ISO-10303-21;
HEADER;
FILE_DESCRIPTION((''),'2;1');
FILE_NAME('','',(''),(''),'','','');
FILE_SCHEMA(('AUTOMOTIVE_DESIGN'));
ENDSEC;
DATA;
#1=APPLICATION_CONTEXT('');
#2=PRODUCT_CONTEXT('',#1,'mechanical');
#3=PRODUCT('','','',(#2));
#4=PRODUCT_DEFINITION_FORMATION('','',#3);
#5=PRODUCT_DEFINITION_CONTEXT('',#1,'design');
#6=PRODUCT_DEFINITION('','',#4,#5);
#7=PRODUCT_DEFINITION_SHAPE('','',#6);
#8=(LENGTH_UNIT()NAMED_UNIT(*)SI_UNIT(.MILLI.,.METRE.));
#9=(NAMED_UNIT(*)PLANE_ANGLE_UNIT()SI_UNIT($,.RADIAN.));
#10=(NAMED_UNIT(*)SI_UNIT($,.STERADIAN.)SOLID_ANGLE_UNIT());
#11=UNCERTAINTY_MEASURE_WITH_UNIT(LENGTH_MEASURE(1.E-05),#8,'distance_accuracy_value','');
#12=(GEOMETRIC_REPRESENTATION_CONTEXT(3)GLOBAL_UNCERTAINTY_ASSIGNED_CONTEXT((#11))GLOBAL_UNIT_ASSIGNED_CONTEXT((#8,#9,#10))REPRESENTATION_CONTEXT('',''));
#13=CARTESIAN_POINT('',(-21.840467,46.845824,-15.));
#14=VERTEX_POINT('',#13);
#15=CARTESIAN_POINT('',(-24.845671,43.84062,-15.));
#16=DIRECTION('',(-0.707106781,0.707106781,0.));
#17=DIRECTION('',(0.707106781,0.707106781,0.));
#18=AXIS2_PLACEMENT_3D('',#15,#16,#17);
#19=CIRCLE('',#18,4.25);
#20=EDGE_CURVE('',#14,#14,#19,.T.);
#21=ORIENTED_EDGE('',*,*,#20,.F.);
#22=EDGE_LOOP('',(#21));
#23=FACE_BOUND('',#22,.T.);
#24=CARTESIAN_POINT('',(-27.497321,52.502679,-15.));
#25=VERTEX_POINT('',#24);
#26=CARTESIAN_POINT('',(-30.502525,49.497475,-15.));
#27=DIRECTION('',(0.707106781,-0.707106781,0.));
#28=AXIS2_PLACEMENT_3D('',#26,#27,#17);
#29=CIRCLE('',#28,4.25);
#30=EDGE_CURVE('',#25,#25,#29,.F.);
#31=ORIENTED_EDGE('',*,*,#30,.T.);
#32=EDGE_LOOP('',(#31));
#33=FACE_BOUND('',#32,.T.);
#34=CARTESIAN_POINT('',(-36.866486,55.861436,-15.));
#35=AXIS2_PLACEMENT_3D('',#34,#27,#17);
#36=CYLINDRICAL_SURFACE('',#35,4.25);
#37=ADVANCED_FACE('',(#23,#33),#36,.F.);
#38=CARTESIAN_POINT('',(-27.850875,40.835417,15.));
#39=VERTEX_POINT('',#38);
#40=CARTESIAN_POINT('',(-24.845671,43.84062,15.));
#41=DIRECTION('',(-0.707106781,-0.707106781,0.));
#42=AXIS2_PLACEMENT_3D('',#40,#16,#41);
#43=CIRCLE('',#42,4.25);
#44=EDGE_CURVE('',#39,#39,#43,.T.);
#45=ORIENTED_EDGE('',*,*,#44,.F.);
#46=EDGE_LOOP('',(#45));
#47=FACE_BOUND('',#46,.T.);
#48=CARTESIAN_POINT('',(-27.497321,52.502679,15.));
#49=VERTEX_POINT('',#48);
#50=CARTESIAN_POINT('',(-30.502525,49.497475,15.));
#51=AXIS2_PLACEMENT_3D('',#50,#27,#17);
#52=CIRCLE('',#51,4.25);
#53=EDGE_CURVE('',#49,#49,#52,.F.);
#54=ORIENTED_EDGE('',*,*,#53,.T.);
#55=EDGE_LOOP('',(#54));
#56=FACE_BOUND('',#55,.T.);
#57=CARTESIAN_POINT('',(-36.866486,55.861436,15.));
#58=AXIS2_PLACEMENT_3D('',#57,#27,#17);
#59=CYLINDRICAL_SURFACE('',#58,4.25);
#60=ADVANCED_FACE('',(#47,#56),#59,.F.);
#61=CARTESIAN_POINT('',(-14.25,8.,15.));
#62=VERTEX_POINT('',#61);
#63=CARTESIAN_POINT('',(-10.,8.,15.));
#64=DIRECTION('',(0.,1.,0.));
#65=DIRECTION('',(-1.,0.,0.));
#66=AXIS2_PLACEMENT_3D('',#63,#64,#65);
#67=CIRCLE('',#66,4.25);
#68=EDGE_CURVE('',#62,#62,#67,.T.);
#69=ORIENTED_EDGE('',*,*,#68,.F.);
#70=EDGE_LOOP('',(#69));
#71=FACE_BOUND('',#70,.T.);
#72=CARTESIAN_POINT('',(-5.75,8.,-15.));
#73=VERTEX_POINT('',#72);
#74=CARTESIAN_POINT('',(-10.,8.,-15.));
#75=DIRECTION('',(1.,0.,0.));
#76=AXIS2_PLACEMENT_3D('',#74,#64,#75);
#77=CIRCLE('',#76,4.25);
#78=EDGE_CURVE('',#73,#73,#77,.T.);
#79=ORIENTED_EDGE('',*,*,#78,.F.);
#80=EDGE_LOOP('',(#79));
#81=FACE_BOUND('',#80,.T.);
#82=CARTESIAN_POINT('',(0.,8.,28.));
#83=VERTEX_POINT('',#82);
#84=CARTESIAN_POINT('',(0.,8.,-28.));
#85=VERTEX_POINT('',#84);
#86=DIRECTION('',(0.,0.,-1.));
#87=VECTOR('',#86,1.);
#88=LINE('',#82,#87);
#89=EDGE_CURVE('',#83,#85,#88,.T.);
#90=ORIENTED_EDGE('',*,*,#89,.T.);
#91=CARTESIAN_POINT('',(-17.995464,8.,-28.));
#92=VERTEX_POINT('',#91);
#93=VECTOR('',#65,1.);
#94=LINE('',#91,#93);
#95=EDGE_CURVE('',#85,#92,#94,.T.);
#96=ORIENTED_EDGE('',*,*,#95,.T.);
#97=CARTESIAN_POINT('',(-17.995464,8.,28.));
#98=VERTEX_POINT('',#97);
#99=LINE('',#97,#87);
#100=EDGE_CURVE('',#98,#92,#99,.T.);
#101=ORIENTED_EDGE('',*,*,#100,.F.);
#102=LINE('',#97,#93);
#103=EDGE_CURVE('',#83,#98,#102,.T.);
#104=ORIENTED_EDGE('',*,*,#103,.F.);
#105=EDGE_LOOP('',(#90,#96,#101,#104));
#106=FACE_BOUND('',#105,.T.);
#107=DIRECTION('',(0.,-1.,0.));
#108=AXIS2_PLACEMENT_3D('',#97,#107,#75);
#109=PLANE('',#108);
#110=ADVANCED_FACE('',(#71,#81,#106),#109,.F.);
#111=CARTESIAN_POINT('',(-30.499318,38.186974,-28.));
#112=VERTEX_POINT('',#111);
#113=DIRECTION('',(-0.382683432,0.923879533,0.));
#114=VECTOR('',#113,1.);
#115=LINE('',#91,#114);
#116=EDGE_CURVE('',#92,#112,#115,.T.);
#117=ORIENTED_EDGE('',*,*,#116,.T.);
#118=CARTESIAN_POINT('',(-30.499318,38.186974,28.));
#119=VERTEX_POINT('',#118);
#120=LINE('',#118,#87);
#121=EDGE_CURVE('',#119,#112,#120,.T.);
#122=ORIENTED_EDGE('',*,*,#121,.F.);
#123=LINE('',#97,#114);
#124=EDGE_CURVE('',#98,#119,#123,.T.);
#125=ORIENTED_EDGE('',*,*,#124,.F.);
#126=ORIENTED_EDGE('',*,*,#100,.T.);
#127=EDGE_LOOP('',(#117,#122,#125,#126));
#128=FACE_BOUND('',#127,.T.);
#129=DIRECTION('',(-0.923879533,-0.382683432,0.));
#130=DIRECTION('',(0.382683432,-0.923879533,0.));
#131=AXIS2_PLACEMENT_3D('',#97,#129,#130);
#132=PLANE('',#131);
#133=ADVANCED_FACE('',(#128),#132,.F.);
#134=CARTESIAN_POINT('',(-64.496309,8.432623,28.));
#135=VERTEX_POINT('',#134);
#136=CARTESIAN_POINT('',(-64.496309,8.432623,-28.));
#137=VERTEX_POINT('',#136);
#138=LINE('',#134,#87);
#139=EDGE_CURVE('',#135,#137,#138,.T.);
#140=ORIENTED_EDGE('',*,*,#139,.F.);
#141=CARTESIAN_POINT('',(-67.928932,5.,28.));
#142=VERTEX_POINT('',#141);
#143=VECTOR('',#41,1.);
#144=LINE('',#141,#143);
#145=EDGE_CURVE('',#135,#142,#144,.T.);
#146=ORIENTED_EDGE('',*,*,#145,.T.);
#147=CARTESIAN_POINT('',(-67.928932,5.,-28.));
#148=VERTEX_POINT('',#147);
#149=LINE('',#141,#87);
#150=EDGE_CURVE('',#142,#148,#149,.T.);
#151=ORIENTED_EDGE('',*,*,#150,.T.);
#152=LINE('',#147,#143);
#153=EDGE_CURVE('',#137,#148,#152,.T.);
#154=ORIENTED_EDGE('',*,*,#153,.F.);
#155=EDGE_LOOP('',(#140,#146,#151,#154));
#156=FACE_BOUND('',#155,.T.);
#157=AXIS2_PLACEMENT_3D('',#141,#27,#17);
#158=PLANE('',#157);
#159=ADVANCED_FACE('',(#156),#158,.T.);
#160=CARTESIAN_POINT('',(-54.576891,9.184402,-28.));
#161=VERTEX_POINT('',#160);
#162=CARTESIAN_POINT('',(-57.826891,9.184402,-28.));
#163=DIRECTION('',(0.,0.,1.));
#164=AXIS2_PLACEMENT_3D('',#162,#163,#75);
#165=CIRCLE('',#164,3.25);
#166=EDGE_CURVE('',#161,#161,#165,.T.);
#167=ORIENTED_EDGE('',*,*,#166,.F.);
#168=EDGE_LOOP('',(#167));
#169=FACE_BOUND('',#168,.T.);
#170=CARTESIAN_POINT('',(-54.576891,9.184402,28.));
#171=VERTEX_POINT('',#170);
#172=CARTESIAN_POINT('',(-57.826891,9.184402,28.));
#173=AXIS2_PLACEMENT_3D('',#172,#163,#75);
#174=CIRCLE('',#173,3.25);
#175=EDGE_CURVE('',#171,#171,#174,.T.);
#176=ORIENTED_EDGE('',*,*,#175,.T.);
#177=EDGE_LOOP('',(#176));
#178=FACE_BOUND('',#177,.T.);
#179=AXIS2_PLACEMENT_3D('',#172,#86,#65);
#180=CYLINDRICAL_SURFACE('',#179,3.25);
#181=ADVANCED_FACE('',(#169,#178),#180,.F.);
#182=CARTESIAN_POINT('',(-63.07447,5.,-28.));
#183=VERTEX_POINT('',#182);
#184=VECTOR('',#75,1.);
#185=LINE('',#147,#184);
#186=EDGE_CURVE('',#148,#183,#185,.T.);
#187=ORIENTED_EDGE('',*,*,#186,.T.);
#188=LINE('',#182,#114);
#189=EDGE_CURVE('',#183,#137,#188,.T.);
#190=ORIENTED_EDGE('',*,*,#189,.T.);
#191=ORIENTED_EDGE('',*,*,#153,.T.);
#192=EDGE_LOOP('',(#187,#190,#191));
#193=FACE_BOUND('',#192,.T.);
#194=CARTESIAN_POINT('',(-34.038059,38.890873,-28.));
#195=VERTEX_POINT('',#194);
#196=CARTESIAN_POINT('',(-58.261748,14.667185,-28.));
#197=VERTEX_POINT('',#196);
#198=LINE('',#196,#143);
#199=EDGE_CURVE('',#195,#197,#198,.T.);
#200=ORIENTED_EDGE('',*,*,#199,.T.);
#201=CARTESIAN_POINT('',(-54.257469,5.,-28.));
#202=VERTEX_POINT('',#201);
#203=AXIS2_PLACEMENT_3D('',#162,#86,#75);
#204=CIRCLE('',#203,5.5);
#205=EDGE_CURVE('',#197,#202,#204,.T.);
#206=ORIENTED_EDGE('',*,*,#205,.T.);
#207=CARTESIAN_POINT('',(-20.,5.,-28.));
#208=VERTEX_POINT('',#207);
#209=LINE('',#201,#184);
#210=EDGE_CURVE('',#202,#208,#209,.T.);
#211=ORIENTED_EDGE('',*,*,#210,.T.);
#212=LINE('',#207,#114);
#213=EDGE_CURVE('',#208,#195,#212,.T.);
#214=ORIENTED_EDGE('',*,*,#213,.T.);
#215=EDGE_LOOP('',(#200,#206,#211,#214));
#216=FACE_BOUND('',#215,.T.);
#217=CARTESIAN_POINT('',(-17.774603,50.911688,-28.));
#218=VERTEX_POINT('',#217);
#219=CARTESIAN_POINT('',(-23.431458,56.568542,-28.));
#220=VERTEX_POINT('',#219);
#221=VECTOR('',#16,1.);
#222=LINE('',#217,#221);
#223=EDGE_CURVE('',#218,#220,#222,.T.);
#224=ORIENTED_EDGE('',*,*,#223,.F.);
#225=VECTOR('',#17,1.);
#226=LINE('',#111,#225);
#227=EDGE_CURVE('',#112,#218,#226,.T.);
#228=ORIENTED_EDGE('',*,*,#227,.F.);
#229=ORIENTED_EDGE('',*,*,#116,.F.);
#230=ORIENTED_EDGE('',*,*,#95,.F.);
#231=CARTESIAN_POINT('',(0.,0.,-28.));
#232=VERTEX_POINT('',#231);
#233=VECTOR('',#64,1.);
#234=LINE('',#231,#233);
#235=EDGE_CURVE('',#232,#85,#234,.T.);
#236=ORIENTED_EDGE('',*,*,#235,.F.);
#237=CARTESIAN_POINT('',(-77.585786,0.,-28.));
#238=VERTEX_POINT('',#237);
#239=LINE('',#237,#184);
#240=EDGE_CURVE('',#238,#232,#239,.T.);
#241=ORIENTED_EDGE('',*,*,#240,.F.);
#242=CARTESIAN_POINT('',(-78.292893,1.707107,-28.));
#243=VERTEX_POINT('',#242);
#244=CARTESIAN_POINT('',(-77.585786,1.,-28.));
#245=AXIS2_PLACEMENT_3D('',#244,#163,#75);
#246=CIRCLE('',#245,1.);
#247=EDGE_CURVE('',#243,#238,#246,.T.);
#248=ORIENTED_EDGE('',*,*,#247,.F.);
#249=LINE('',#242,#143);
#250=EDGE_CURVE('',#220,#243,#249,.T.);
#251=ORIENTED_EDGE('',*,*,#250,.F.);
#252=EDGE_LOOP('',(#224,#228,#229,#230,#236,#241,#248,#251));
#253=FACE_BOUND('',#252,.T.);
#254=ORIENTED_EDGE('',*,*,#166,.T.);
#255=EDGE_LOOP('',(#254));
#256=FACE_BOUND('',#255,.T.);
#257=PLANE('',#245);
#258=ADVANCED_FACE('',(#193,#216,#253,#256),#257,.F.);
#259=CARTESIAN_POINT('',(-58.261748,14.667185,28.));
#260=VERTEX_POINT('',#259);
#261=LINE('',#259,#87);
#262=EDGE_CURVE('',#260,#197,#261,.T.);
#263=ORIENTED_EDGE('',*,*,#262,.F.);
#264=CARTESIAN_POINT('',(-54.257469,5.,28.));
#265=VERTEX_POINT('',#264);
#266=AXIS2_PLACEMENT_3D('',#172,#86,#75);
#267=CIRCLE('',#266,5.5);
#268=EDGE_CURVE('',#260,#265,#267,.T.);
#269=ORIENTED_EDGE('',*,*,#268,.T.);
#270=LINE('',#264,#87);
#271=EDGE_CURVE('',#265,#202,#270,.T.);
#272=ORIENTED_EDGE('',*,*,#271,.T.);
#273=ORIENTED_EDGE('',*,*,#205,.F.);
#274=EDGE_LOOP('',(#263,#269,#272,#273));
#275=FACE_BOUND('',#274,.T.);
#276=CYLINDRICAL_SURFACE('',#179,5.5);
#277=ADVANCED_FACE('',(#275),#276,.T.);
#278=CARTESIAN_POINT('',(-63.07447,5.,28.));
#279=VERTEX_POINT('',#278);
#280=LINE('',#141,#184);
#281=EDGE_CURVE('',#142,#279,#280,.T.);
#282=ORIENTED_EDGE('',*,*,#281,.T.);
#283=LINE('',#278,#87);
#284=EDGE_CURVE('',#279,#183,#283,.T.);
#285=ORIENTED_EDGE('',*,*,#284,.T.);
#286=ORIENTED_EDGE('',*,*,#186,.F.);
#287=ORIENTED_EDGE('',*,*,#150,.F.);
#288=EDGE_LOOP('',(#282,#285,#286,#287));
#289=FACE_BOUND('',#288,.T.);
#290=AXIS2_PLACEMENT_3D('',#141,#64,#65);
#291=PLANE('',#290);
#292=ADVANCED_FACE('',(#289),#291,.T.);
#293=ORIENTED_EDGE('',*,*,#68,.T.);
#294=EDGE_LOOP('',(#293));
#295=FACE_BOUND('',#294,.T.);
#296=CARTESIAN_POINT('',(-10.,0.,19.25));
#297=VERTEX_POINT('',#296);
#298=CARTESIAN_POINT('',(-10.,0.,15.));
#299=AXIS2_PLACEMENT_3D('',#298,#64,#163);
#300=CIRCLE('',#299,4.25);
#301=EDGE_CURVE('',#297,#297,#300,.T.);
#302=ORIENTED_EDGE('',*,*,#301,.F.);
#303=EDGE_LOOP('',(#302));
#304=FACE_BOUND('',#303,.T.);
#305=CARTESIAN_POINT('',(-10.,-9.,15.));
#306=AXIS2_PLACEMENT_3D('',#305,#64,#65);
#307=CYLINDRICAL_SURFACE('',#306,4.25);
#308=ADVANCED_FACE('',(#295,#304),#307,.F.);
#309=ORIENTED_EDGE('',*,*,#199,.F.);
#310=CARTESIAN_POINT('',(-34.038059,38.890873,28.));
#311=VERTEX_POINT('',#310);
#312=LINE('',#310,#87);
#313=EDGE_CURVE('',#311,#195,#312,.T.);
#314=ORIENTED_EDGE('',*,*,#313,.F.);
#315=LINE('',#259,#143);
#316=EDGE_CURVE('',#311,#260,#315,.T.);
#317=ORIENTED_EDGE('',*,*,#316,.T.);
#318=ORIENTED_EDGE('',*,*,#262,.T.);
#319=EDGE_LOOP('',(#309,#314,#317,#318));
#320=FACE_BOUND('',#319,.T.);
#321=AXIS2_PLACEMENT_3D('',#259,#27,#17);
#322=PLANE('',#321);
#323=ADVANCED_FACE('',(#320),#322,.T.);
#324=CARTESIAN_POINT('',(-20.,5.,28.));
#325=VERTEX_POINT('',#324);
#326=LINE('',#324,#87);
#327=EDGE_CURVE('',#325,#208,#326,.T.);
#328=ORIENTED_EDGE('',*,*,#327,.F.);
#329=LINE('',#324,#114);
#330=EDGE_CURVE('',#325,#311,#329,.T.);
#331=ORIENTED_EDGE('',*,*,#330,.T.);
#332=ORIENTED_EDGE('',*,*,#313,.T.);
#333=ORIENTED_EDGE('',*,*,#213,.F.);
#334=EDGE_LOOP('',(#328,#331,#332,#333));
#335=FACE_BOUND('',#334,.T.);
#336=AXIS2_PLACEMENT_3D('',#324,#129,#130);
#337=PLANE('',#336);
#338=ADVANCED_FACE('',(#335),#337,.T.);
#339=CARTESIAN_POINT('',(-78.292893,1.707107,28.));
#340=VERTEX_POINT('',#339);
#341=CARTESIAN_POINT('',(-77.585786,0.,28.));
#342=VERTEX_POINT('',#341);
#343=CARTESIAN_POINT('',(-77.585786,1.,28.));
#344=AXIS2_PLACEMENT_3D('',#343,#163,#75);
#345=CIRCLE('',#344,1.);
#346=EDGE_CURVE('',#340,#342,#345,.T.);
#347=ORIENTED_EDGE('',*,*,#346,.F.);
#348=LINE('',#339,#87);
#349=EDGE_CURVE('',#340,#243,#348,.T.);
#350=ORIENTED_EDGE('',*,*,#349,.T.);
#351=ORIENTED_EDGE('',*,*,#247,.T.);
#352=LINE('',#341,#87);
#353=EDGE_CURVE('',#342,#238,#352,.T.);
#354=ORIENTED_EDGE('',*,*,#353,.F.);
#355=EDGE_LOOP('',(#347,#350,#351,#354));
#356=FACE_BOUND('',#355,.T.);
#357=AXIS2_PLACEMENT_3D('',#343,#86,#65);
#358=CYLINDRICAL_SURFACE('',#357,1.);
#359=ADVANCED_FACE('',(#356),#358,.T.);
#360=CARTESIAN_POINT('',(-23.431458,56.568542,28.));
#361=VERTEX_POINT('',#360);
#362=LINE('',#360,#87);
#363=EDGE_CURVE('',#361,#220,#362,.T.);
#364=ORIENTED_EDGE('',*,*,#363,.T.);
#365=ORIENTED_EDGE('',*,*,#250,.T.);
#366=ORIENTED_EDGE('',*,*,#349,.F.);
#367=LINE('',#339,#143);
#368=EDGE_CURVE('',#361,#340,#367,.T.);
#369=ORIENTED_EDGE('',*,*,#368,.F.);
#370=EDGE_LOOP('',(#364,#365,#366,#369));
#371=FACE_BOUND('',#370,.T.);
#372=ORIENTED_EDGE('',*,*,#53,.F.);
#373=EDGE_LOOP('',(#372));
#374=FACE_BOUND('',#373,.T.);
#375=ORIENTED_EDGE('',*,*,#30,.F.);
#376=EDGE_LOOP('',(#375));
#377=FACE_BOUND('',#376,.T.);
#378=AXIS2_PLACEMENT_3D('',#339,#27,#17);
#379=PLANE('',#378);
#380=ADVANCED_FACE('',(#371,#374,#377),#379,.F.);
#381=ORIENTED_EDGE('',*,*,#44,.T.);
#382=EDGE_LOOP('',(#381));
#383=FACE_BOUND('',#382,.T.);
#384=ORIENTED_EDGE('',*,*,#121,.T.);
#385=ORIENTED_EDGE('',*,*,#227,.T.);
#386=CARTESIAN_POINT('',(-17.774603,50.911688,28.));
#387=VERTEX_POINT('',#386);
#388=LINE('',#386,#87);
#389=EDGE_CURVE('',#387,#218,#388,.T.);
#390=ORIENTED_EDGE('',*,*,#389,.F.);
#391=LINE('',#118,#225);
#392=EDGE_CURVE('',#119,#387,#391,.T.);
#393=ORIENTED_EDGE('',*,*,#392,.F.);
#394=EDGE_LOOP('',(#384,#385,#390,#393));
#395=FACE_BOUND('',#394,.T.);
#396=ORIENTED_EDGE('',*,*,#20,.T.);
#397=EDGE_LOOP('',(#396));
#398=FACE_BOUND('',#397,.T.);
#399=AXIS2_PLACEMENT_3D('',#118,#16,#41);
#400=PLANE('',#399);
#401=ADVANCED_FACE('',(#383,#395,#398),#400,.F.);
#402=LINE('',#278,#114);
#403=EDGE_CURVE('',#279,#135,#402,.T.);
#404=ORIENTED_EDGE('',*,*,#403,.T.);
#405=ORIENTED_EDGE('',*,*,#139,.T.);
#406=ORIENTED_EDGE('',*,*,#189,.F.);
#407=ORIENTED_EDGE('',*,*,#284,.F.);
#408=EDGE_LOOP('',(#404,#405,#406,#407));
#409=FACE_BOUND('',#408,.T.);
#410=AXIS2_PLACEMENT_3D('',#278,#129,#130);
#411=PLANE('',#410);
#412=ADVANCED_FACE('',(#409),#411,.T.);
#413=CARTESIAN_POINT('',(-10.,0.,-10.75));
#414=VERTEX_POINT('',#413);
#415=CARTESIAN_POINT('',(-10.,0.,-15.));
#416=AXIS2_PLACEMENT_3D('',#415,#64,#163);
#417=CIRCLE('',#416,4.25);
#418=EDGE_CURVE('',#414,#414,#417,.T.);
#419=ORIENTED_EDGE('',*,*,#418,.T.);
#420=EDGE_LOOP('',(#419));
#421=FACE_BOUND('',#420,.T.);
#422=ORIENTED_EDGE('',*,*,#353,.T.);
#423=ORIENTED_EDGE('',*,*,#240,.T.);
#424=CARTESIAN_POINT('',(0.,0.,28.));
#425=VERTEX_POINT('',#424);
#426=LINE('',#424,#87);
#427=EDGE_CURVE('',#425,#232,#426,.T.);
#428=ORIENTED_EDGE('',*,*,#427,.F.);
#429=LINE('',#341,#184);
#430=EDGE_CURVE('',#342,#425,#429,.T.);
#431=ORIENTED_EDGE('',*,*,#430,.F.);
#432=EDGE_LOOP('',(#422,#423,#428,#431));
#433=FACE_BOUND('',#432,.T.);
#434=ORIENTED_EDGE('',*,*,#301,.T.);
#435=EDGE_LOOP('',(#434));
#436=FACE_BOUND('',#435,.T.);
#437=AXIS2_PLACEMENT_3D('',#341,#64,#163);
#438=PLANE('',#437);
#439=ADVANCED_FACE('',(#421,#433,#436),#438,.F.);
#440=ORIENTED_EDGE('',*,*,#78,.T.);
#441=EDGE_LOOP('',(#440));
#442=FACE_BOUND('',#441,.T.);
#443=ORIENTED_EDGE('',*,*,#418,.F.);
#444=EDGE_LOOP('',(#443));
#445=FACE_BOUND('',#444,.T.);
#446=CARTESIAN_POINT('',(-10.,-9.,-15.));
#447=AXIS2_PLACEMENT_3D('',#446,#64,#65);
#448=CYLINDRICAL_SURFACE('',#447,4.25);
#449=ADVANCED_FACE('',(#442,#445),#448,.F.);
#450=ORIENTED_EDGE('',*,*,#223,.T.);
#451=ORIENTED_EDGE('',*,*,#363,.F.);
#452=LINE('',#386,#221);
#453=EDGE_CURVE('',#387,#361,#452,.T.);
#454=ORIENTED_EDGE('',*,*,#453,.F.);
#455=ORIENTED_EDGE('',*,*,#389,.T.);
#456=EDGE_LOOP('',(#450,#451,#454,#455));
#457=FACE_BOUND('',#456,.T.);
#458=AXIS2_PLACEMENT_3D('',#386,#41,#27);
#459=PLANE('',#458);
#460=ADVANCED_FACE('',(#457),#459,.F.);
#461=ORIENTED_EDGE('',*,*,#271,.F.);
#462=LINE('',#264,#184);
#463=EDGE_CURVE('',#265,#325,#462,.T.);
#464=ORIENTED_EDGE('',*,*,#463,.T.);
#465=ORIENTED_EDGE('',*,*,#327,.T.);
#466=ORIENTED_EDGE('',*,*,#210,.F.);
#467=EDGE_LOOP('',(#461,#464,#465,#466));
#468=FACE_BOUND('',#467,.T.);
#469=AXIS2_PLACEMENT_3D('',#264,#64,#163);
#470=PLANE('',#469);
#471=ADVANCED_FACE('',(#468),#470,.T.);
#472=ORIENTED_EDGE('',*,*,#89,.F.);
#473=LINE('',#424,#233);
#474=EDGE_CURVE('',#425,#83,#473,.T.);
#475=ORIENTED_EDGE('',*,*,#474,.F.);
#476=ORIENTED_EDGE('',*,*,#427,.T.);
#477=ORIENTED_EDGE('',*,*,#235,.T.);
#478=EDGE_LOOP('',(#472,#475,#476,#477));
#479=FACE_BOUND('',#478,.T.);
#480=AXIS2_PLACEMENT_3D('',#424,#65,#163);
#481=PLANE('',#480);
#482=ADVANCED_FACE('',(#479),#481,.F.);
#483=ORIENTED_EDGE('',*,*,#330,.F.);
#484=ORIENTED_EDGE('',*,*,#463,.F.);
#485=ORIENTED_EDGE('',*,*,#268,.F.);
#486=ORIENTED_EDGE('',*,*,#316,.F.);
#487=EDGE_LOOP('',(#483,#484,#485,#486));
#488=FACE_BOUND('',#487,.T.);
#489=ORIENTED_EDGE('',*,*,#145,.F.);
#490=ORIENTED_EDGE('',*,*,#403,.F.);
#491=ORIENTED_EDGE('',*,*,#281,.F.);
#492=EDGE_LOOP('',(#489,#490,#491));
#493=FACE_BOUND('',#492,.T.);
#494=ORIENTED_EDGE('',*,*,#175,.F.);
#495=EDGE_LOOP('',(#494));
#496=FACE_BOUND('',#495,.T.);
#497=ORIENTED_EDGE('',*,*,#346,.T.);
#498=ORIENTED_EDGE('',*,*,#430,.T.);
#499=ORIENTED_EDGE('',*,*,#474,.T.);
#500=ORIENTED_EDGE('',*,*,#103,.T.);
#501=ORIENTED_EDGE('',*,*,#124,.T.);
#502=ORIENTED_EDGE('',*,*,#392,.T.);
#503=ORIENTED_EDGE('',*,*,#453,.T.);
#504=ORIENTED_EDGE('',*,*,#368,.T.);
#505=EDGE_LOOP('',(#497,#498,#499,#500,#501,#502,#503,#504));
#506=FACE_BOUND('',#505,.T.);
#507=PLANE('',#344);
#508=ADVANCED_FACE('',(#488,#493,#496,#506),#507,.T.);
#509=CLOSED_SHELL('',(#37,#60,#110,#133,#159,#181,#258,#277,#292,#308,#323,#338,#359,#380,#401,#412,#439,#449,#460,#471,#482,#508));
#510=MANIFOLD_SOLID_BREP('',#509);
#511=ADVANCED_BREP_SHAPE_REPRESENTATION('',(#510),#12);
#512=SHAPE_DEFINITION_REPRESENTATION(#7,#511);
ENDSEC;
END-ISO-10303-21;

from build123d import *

# Parameters (mm, degrees)
SKETCH_1_R          = 3.25
EXTRUDE_1_DEPTH     = 28
SKETCH_3_R          = 4.25
CUT_EXTRUDE_1_DEPTH = 17


with BuildPart() as part:
    # 草图1 → 凸台-拉伸1 (new, symmetric)
    with BuildSketch(Plane.XY):
        with BuildLine():
            Line((-77.585786438, 0), (0, 0))
            Line((0, 0), (0, 8))
            Line((0, 8), (-17.995464086, 8))
            Line((-17.995464086, 8), (-30.499317942, 38.186973559))
            Line((-30.499317942, 38.186973559), (-17.774603256, 50.911688245))
            Line((-17.774603256, 50.911688245), (-23.431457505, 56.568542495))
            Line((-23.431457505, 56.568542495), (-78.292893219, 1.707106781))
            ThreePointArc((-78.292893219, 1.707106781), (-78.50966597, 0.617316568), (-77.585786438, 0))
        make_face()
        with Locations((-57.82689122, 9.184402377)):
            Circle(SKETCH_1_R, mode=Mode.SUBTRACT)
        Polygon((-67.928932188, 5), (-63.07447047, 5), (-64.496309389, 8.4326228), align=None, mode=Mode.SUBTRACT)
        with BuildLine():
            Line((-54.257468753, 5), (-20, 5))
            Line((-20, 5), (-34.038059223, 38.890872965))
            Line((-34.038059223, 38.890872965), (-58.261747684, 14.667184504))
            ThreePointArc((-58.261747684, 14.667184504), (-52.745553791, 11.289161255), (-54.257468753, 5))
        make_face(mode=Mode.SUBTRACT)
    extrude(amount=EXTRUDE_1_DEPTH, both=True)

    # 草图3 → 切除-拉伸1 (cut)
    with BuildSketch(Plane(origin=(0, 8, 0), x_dir=(1, 0, 0), z_dir=(0, 1, 0))):
        with Locations(Location((-10, -15, 0), (0, 0, 180))):
            Circle(SKETCH_3_R)
        with Locations(Location((-10, 15, 0), (0, 0, 270))):
            Circle(SKETCH_3_R)
    cut_extrude_1 = extrude(amount=-CUT_EXTRUDE_1_DEPTH, mode=Mode.SUBTRACT)

    # 镜向1: 切除-拉伸1 across plane
    add(cut_extrude_1.mirror(Plane(origin=(-11.715728753, 28.284271247, 0), x_dir=(0, 0, 1), z_dir=(-0.3826834323650881, 0.9238795325112875, 0))), mode=Mode.SUBTRACT)


solid = part.part
